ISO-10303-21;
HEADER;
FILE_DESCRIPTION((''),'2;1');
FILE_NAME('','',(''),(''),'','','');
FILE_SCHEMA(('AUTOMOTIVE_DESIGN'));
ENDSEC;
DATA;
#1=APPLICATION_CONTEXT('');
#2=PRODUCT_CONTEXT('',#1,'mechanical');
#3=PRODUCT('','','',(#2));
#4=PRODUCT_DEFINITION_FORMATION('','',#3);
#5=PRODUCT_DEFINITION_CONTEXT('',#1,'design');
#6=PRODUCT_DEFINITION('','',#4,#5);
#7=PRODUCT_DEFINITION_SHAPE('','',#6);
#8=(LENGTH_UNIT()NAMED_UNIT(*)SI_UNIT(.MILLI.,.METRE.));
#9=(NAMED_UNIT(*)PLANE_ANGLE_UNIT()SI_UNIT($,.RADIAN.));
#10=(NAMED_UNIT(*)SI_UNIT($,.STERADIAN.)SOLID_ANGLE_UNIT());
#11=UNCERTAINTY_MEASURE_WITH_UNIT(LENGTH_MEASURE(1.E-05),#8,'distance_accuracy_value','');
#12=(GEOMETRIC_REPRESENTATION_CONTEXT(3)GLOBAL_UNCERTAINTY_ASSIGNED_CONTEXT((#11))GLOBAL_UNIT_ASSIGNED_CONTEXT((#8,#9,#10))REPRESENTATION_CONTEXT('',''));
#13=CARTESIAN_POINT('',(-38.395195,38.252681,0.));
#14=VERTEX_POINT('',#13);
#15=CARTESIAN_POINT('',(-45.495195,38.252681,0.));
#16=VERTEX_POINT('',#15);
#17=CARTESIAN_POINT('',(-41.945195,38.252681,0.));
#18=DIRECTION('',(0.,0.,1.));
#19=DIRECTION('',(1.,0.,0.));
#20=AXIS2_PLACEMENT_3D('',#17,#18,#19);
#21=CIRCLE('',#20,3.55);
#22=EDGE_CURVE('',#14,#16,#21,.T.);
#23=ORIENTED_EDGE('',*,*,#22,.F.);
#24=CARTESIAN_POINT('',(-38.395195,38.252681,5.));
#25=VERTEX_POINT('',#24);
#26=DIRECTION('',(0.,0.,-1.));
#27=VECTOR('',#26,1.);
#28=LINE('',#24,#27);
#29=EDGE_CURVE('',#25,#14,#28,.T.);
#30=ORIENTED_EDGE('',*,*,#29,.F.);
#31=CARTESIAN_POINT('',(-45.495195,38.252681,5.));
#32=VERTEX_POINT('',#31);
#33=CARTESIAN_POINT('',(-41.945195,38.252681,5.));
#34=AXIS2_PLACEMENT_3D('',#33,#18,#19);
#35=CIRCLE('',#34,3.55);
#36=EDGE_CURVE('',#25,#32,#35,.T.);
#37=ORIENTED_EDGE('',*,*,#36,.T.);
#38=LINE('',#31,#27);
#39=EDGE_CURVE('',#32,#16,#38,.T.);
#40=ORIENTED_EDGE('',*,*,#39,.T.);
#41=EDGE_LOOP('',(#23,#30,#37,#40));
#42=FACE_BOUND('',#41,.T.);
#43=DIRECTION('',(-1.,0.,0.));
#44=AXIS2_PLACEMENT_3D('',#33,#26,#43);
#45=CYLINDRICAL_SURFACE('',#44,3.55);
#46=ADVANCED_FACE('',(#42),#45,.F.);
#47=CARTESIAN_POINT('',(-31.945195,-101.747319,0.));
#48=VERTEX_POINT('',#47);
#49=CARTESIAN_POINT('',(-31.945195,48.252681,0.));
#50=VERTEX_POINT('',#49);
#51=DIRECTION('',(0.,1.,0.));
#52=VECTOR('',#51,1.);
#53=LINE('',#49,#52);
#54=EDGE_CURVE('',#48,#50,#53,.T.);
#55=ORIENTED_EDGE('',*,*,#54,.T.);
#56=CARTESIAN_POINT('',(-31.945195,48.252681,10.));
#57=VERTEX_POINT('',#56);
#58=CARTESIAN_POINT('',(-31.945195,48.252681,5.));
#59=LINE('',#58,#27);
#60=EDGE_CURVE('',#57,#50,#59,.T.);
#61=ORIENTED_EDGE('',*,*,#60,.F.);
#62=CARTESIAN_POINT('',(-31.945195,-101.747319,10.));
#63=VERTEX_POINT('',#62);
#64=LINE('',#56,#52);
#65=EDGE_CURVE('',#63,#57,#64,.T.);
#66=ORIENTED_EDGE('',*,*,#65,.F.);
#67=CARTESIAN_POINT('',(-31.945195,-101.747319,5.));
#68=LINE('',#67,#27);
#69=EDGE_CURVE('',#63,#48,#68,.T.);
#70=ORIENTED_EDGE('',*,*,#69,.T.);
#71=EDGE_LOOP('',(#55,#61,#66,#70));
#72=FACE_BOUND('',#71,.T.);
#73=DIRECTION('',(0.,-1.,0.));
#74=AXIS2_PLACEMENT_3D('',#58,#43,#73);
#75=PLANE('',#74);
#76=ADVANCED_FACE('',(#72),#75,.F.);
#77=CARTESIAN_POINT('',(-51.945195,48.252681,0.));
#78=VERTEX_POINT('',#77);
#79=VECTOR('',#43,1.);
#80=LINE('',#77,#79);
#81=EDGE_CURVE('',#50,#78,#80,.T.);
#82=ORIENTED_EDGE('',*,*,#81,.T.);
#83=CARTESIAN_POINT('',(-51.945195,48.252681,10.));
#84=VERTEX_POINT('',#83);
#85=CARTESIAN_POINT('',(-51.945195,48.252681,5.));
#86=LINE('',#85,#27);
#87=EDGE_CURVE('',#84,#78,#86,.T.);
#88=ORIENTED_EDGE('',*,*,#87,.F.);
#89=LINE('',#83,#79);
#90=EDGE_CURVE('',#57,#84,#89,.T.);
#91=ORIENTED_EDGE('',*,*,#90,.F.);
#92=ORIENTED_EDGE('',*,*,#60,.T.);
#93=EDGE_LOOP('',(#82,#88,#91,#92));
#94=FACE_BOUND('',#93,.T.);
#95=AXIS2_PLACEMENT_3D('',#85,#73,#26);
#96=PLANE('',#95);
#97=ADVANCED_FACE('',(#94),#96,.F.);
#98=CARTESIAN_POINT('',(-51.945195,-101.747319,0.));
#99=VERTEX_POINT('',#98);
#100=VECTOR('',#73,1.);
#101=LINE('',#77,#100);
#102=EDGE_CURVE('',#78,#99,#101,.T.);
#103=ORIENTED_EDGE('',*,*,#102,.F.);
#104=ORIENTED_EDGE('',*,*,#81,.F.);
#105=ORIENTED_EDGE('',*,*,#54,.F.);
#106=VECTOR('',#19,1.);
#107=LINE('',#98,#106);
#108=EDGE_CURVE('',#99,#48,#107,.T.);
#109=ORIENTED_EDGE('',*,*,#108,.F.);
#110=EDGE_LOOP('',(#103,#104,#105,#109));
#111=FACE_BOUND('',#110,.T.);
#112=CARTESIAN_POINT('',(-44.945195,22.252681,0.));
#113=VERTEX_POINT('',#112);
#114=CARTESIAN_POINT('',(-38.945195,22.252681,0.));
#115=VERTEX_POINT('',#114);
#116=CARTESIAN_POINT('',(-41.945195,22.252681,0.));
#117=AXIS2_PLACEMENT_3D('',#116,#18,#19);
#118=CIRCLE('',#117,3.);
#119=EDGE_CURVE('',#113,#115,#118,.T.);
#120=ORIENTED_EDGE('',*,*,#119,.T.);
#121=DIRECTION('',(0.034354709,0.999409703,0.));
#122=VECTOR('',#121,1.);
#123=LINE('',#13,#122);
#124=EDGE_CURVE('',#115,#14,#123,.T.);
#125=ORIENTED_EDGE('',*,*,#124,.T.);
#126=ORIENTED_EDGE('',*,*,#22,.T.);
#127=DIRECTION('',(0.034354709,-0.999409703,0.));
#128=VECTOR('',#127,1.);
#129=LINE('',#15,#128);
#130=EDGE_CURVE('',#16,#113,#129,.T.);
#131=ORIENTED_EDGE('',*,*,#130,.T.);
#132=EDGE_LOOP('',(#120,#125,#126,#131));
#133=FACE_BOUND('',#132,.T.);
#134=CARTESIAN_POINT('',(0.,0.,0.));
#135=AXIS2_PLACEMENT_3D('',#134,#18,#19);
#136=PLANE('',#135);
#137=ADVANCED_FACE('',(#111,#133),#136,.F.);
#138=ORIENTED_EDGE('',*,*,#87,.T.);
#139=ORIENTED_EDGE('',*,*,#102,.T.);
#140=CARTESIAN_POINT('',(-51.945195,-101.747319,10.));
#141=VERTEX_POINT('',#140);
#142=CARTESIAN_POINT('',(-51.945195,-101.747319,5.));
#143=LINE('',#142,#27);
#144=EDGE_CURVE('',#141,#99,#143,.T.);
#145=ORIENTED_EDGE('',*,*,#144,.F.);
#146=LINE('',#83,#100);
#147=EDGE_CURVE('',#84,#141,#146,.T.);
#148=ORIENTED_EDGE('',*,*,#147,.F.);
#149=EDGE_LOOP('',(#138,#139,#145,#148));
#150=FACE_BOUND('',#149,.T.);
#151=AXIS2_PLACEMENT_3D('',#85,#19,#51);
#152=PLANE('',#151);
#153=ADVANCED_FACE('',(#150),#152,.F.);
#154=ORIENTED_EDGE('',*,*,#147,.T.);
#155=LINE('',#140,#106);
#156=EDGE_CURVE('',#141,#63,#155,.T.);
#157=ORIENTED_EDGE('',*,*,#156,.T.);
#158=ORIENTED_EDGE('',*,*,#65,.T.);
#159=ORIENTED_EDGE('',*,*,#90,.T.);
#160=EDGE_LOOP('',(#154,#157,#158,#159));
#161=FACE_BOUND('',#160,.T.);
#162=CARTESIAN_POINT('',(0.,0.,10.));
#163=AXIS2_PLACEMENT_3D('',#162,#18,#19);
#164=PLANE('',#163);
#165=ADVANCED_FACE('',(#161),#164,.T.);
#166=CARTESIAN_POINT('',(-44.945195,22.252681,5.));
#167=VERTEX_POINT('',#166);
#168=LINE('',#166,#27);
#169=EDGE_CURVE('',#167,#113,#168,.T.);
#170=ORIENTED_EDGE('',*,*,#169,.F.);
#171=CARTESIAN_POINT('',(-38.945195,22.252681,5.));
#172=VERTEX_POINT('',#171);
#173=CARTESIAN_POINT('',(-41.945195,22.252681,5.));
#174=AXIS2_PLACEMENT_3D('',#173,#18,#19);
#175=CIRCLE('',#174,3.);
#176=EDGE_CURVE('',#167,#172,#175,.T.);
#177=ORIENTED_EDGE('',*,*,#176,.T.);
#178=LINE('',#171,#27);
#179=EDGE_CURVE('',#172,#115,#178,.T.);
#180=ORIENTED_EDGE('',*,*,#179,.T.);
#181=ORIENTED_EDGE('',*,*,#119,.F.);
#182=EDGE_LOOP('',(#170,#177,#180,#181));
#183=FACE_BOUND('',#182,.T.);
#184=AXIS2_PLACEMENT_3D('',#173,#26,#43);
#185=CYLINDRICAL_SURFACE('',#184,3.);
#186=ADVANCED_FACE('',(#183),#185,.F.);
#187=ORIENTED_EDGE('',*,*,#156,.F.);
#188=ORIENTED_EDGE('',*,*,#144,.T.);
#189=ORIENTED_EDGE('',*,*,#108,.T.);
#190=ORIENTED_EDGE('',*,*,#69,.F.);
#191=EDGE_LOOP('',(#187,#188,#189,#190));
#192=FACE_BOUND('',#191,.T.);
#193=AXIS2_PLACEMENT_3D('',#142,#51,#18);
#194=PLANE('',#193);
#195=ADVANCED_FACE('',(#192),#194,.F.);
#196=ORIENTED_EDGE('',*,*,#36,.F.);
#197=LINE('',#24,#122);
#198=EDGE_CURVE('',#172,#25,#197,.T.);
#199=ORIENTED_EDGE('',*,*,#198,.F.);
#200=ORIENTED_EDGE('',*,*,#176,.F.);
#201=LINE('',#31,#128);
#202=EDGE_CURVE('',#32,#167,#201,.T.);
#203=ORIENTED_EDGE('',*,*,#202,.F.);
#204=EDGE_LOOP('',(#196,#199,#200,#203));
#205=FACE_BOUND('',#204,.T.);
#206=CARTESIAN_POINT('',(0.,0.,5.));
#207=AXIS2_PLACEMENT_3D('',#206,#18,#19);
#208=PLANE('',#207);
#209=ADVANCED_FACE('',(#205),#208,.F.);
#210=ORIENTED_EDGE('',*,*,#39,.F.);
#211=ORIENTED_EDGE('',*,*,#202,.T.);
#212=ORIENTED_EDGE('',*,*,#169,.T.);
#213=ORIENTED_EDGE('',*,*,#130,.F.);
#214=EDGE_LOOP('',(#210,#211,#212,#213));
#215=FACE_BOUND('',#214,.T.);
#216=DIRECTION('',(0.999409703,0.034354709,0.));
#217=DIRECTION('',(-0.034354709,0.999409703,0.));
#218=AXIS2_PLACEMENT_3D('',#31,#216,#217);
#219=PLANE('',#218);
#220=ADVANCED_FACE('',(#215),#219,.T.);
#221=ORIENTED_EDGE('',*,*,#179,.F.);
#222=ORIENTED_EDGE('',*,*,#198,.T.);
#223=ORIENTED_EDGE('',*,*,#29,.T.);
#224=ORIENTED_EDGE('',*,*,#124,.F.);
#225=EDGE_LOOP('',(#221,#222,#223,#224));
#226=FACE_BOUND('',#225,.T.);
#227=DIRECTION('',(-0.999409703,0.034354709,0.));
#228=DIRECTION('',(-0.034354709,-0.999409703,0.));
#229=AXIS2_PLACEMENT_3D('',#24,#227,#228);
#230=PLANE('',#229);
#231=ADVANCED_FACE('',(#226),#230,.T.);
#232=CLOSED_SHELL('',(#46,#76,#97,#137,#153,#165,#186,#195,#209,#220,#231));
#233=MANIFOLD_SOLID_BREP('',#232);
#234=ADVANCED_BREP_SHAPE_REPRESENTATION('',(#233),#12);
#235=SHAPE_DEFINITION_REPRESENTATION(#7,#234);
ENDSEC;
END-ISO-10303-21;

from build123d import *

# Parameters (mm, degrees)
ESQUISSE1_W        = 20
ESQUISSE1_H        = 150
BOSS_EXTRU_1_DEPTH = 5
ESQUISSE2_W        = 20
ESQUISSE2_H        = 150
BOSS_EXTRU_2_DEPTH = 5


with BuildPart() as part:
    # Esquisse1 → Boss.-Extru.1 (new body)
    with BuildSketch(Plane.XY):
        with Locations((-41.945195284, -26.747319263)):
            Rectangle(ESQUISSE1_W, ESQUISSE1_H)
        with BuildLine():
            Line((-45.495195284, 38.252680737), (-44.945195284, 22.252680737))
            ThreePointArc((-44.945195284, 22.252680737), (-41.945195284, 19.252680737), (-38.945195284, 22.252680737))
            Line((-38.945195284, 22.252680737), (-38.395195284, 38.252680737))
            ThreePointArc((-38.395195284, 38.252680737), (-41.945195284, 41.802680737), (-45.495195284, 38.252680737))
        make_face(mode=Mode.SUBTRACT)
    extrude(amount=BOSS_EXTRU_1_DEPTH)

    # Esquisse2 → Boss.-Extru.2 (add)
    with BuildSketch(Plane.XY.offset(5)):
        with Locations((-41.945195284, -26.747319263)):
            Rectangle(ESQUISSE2_W, ESQUISSE2_H)
    extrude(amount=BOSS_EXTRU_2_DEPTH)


solid = part.part
